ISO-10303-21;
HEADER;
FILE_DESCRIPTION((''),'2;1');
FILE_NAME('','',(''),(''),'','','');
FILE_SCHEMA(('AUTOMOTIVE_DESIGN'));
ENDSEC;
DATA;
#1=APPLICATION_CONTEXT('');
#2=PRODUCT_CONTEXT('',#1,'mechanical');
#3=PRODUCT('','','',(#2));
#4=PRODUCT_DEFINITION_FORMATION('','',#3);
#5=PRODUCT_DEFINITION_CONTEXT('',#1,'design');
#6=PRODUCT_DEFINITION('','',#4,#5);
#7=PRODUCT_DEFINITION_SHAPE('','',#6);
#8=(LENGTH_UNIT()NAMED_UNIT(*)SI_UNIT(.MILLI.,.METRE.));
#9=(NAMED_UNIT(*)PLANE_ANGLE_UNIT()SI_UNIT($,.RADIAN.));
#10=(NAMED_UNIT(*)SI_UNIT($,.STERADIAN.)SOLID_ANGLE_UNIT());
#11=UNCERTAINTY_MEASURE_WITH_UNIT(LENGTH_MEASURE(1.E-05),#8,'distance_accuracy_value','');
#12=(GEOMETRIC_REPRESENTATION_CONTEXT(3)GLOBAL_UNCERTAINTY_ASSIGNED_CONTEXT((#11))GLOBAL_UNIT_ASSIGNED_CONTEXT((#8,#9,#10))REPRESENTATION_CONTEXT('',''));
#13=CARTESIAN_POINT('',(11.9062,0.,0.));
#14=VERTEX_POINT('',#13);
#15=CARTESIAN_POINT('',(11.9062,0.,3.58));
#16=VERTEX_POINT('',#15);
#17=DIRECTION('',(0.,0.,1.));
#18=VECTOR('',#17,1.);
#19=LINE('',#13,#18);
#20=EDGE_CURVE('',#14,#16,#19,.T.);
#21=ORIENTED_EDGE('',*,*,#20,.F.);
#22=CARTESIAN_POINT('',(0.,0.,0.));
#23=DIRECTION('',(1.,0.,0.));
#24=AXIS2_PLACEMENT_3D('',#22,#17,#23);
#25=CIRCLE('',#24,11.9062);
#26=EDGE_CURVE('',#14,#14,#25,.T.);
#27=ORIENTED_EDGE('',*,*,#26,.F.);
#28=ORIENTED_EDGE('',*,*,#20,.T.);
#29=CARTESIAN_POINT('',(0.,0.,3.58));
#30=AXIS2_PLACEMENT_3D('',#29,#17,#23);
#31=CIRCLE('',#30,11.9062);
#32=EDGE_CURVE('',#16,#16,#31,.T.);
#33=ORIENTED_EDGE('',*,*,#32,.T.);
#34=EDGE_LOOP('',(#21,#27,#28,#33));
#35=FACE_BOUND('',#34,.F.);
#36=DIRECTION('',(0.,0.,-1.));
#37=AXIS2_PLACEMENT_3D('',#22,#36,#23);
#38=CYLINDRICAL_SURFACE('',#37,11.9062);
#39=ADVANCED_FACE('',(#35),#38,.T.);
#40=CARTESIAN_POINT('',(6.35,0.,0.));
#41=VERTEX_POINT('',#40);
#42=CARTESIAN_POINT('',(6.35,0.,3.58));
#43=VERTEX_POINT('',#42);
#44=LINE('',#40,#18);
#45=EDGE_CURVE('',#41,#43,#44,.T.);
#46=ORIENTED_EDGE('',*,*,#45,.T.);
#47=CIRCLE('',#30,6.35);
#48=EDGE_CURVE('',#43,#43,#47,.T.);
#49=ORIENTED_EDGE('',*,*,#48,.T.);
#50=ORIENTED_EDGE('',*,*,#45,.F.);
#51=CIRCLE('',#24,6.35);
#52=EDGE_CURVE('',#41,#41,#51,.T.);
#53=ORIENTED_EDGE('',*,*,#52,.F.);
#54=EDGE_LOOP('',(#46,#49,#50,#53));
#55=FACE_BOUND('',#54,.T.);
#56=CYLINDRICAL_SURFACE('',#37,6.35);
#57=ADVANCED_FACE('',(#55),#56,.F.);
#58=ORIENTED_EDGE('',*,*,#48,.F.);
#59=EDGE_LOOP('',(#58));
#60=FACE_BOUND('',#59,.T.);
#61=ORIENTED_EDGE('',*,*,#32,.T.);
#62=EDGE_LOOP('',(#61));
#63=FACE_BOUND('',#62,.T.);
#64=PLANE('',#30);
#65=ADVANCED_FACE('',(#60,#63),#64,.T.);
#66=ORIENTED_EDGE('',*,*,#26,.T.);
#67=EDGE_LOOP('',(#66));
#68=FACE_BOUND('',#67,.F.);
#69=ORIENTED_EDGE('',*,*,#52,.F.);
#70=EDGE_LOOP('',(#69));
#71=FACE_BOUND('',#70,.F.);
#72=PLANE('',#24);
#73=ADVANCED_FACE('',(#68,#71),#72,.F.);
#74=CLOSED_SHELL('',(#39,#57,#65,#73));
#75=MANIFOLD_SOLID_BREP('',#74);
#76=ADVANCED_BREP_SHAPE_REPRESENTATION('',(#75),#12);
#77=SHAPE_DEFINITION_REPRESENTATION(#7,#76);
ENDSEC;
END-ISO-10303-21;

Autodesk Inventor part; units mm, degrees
ref_plane "YZ Plane" through (0, 0, 0) normal (1, 0, 0) x (0, 1, 0)
ref_plane "XZ Plane" through (0, 0, 0) normal (0, 1, 0) x (-1, 0, 0)
ref_plane "XY Plane" through (0, 0, 0) normal (0, 0, 1) x (1, 0, 0)
sketch "Sketch1" plane through (0, 0, 0) normal (0, 0, 1) x (1, 0, 0)
  circle A0 centre (0, 0) radius 6.35
  circle A1 centre (0, 0) radius 11.9062
  dimension "d0" = 23.8125
  dimension "d1" = 12.7
extrude "Extrusion1" add sketch "Sketch1" along normal blind 3.58
properties part number "ThrustBearingNTA815" material "Stainless Steel"
